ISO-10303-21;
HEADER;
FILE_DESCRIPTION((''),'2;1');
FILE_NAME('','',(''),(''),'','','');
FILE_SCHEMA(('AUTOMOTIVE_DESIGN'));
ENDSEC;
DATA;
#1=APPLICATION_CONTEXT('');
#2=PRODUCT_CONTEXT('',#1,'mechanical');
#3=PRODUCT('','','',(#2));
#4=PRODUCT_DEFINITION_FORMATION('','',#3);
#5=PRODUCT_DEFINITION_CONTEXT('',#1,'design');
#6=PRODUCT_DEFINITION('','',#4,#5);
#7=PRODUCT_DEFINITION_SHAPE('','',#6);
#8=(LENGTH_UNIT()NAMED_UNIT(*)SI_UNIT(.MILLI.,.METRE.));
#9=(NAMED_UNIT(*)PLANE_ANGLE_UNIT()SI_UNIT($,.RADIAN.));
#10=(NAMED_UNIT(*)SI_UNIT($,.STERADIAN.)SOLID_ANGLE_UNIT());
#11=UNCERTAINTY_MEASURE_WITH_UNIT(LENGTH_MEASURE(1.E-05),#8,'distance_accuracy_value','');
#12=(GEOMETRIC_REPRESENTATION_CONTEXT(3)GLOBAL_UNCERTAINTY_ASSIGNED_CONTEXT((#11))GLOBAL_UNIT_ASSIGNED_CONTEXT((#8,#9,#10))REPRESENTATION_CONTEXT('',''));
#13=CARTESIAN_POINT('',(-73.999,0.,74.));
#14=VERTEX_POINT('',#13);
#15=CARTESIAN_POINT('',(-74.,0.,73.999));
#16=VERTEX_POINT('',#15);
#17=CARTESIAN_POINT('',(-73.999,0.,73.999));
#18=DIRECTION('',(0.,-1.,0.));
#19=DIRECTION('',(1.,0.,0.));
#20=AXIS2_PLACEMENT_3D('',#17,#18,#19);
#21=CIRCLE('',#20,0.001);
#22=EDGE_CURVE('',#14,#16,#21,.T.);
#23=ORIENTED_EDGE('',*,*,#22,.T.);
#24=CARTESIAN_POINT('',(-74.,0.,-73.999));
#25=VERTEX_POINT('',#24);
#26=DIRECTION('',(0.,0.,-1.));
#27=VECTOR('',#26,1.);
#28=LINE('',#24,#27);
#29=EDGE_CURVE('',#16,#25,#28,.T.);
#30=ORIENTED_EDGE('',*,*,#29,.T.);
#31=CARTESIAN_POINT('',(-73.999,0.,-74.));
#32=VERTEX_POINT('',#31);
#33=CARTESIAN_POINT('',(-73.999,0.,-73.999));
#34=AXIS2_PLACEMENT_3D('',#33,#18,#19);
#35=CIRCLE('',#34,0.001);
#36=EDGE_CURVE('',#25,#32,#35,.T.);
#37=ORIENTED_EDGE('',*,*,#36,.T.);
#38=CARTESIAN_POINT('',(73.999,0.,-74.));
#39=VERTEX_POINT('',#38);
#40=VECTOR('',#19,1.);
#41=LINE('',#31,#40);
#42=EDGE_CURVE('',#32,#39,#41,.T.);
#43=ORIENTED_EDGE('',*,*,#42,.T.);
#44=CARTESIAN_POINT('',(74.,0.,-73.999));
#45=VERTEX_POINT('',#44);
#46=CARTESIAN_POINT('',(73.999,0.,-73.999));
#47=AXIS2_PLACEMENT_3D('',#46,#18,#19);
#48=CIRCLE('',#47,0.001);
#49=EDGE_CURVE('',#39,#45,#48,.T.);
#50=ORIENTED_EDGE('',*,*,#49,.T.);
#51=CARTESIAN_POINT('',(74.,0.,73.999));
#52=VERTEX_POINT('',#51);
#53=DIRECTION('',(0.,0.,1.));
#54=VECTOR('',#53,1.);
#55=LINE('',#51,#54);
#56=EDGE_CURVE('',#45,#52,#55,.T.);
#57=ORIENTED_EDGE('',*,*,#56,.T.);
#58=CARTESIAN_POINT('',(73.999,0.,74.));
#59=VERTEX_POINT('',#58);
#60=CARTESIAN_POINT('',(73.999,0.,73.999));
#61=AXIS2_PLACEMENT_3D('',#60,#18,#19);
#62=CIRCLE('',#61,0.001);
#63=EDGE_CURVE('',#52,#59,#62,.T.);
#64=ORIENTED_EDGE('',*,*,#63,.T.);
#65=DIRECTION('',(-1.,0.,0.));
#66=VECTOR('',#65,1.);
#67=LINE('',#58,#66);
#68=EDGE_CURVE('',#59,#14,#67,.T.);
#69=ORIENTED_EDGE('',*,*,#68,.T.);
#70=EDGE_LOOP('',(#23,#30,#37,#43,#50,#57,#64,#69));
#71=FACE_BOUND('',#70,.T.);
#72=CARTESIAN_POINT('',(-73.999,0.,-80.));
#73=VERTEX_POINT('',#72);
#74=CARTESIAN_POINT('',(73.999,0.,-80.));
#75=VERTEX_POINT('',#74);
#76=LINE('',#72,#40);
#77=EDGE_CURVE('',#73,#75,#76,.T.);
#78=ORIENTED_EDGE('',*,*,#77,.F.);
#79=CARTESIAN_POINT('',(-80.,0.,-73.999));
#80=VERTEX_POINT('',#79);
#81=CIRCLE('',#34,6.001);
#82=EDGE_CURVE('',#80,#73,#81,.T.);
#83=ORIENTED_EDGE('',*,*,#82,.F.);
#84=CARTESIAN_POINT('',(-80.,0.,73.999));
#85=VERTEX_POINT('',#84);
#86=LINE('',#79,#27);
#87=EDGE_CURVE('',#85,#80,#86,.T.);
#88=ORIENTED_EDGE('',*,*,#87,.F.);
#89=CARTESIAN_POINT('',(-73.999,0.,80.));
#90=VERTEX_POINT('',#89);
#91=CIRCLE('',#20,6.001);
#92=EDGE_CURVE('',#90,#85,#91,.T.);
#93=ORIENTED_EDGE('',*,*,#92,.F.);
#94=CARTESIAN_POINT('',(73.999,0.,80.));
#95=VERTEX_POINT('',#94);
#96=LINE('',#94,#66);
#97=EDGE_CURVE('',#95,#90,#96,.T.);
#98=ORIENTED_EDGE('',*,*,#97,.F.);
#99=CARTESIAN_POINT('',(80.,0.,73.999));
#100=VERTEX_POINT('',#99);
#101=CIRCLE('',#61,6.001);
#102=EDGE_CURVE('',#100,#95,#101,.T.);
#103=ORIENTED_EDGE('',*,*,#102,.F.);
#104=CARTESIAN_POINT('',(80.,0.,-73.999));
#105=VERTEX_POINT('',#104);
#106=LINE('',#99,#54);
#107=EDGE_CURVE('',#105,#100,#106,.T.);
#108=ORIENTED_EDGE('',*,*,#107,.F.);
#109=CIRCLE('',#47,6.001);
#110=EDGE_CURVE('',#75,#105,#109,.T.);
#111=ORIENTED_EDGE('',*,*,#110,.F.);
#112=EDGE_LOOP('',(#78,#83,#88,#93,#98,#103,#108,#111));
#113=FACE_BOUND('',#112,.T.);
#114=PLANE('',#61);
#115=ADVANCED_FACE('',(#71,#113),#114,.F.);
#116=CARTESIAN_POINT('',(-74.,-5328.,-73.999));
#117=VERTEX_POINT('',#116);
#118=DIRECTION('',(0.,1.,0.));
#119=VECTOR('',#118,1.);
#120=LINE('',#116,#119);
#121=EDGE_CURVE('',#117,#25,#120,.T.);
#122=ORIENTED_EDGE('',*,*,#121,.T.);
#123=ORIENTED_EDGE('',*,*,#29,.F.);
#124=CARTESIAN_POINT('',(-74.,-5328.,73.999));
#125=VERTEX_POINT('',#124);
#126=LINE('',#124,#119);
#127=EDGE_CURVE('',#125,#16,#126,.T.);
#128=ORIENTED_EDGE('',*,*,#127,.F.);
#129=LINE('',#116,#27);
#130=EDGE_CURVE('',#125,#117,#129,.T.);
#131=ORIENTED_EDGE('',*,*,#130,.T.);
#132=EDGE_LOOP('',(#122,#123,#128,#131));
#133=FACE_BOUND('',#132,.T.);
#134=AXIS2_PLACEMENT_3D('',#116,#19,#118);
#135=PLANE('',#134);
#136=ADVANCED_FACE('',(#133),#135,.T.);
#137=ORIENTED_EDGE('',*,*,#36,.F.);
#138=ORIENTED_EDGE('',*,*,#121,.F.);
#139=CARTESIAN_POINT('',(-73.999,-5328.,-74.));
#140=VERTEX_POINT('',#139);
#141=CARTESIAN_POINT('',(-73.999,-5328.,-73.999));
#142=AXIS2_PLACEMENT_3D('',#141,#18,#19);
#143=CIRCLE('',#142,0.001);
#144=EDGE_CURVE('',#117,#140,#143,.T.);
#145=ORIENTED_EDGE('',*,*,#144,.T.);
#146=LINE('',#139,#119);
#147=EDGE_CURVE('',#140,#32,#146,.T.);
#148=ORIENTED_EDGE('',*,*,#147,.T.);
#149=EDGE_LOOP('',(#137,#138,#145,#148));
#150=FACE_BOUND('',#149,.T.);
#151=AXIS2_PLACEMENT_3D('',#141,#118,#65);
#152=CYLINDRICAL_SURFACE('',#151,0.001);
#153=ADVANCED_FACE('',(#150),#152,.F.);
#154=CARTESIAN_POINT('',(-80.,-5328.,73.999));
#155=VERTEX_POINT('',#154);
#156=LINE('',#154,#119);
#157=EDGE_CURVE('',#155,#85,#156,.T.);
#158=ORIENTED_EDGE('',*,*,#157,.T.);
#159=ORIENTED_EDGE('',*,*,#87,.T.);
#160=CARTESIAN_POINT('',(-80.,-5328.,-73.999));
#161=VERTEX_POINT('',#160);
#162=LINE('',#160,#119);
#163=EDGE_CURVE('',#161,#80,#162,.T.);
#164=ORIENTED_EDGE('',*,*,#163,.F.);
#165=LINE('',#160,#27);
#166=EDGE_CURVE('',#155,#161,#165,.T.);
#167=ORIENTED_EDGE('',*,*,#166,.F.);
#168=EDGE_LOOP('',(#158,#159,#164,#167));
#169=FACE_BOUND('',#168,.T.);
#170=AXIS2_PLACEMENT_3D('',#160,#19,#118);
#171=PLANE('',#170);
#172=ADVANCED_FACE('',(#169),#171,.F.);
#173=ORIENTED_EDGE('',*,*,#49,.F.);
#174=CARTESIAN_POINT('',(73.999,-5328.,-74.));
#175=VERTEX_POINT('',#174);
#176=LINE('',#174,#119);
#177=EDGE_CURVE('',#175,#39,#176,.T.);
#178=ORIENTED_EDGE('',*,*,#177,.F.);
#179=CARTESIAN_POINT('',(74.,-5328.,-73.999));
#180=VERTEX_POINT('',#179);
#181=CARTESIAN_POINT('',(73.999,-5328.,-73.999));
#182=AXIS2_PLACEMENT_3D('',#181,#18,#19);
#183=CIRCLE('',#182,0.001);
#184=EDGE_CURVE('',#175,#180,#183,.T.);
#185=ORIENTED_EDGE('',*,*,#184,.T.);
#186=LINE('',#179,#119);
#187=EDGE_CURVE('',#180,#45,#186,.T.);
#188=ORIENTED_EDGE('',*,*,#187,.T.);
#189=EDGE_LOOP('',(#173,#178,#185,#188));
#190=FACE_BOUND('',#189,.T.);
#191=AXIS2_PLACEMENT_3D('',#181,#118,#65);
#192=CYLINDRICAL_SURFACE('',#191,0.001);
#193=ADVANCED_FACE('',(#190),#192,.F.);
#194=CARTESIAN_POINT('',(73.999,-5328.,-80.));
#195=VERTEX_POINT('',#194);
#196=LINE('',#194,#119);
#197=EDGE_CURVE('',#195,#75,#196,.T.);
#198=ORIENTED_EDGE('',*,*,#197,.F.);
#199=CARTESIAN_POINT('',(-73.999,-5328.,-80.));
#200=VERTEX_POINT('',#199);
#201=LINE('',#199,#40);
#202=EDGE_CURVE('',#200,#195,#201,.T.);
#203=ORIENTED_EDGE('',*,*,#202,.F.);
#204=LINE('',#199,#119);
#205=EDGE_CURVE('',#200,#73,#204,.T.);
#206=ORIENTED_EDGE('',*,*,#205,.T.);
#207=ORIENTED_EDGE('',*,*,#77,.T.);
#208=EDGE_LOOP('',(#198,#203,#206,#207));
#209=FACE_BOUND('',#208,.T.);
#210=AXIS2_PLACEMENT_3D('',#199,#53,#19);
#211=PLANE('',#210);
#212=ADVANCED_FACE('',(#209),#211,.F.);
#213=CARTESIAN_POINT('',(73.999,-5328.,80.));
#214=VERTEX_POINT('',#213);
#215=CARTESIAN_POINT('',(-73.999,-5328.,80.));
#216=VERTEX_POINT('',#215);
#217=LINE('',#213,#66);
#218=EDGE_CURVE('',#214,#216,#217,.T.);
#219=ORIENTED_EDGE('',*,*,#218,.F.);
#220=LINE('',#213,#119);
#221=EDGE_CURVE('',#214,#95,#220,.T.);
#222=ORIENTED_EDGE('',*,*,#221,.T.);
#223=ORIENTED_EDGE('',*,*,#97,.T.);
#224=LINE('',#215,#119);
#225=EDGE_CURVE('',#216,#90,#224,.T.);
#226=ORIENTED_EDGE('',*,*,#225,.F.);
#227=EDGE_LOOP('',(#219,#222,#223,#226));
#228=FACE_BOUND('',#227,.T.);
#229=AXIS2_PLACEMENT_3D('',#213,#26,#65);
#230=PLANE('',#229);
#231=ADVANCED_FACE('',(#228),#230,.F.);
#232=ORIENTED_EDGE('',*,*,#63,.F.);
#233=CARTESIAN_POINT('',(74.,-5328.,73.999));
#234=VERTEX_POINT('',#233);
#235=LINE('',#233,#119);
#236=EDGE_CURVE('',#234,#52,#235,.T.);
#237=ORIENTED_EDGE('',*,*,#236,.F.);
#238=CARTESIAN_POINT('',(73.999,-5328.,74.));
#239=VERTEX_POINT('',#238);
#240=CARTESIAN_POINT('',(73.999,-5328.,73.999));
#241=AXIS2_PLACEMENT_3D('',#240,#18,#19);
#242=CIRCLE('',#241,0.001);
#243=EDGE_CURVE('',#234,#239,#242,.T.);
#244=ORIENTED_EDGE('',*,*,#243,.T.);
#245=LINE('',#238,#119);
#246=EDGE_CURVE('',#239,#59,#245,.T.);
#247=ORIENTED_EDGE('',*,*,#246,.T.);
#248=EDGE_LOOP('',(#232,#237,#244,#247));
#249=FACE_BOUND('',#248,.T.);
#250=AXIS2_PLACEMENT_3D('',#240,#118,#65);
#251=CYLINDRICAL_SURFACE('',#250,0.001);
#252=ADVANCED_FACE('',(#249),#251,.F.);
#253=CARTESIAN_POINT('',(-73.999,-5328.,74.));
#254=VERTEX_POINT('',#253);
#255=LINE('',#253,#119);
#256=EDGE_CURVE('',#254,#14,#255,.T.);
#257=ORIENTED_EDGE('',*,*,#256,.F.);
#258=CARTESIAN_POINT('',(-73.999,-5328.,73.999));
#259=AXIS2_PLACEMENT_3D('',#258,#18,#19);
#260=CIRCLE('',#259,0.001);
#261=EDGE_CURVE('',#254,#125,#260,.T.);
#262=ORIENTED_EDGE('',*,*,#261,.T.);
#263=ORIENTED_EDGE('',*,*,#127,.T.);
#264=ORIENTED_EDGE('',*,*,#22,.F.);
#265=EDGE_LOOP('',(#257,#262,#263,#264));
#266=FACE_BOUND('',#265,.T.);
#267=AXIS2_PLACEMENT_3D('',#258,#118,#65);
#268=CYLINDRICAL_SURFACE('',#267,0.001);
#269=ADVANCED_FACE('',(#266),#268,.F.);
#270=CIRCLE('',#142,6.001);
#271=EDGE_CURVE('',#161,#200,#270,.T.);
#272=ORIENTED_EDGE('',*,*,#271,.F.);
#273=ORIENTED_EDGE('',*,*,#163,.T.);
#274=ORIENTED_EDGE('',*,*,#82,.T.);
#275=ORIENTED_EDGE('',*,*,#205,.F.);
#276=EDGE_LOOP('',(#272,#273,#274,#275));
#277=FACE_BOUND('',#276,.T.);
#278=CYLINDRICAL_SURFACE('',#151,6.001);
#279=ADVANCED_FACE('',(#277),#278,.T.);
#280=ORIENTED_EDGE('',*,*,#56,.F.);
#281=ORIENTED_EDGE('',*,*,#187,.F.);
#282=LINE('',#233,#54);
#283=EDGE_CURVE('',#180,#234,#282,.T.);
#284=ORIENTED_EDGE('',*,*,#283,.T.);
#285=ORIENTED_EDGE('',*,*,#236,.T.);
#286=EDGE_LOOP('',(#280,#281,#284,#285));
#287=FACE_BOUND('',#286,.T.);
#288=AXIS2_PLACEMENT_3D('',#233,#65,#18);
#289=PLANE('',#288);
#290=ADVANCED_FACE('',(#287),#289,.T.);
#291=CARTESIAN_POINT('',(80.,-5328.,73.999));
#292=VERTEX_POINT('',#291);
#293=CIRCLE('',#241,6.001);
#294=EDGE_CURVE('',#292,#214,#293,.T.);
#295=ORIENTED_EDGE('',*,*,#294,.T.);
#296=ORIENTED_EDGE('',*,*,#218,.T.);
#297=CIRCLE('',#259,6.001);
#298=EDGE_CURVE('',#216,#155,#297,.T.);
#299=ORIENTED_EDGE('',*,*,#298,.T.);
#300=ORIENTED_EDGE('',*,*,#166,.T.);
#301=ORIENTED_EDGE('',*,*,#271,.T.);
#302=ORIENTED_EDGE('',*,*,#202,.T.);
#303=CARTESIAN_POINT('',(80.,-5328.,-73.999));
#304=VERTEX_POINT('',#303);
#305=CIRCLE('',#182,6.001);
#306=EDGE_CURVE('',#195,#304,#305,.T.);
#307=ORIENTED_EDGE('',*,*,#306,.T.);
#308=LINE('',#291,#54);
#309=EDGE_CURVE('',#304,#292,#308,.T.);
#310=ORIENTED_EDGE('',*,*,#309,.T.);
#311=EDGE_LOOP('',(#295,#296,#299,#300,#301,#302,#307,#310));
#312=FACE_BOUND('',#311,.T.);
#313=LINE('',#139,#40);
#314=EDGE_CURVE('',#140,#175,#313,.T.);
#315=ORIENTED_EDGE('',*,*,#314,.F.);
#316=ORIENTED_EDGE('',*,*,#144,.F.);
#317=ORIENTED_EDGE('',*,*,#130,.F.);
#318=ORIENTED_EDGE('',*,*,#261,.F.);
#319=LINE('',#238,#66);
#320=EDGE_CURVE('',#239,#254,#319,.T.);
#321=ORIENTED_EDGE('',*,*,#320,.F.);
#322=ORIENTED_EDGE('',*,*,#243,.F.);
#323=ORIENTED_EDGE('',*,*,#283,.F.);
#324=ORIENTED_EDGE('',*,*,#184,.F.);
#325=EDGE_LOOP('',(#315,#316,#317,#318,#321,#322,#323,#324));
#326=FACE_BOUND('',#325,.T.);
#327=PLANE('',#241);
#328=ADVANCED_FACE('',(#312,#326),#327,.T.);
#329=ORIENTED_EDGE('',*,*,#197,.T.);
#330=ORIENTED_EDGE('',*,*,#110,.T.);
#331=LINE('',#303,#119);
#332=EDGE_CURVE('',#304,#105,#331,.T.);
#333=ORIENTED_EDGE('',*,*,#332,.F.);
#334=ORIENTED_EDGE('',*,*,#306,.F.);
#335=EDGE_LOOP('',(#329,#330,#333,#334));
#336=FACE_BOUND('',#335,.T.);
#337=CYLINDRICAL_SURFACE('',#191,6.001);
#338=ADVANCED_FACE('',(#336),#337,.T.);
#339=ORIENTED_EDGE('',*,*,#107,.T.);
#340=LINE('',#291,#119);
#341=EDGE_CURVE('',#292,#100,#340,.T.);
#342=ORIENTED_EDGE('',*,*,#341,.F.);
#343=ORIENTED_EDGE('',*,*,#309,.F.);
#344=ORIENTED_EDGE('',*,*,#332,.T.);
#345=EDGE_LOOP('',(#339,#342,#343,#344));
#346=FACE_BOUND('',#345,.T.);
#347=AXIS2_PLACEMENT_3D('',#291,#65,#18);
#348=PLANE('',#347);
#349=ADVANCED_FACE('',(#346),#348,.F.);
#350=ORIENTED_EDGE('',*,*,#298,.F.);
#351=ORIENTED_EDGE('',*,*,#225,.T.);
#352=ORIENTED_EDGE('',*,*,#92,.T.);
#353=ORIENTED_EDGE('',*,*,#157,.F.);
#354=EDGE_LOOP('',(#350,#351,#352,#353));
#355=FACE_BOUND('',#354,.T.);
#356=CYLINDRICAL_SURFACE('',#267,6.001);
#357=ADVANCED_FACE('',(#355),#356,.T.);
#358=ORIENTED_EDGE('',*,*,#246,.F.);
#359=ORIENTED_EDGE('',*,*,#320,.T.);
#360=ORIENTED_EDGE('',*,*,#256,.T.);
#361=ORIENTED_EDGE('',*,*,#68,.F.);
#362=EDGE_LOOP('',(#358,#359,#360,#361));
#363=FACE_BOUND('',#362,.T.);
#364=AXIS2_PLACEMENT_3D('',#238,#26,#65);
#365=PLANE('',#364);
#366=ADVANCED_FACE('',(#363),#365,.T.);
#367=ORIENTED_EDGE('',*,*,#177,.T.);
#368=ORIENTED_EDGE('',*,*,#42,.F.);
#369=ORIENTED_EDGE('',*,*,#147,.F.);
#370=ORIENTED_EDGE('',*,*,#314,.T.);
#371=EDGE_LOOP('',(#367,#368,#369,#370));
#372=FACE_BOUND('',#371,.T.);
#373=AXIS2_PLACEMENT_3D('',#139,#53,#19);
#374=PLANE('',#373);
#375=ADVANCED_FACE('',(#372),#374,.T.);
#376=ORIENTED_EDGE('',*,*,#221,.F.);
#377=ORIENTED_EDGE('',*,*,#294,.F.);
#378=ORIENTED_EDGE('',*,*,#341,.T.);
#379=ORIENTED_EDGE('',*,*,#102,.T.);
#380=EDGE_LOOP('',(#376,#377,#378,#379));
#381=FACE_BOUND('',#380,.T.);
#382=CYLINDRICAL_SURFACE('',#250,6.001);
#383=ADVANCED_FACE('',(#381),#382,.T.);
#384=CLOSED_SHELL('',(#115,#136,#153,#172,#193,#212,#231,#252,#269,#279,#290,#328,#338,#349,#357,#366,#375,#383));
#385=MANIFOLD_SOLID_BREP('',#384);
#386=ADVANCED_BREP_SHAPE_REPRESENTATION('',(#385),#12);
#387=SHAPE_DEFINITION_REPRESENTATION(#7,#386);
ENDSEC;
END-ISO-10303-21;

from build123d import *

# Parameters (mm, degrees)
F_8639_82_150_X_150_X_7_0_1_DEPTH = 5328


with BuildPart() as part:
    # Sketch1 → Квадратная труба гост 8639-82 150 X 150 X 7.0(1) (new body)
    with BuildSketch(Plane.XZ):
        with BuildLine():
            Line((-73.999, -80), (73.999, -80))
            ThreePointArc((73.999, -80), (78.242347794, -78.242347794), (80, -73.999))
            Line((80, -73.999), (80, 73.999))
            ThreePointArc((80, 73.999), (78.242347794, 78.242347794), (73.999, 80))
            Line((73.999, 80), (-73.999, 80))
            ThreePointArc((-73.999, 80), (-78.242347794, 78.242347794), (-80, 73.999))
            Line((-80, 73.999), (-80, -73.999))
            ThreePointArc((-80, -73.999), (-78.242347794, -78.242347794), (-73.999, -80))
        make_face()
        with BuildLine():
            Line((-73.999, -74), (73.999, -74))
            ThreePointArc((73.999, -74), (73.999707107, -73.999707107), (74, -73.999))
            Line((74, -73.999), (74, 73.999))
            ThreePointArc((74, 73.999), (73.999707107, 73.999707107), (73.999, 74))
            Line((73.999, 74), (-73.999, 74))
            ThreePointArc((-73.999, 74), (-73.999707107, 73.999707107), (-74, 73.999))
            Line((-74, 73.999), (-74, -73.999))
            ThreePointArc((-74, -73.999), (-73.999707107, -73.999707107), (-73.999, -74))
        make_face(mode=Mode.SUBTRACT)
    extrude(amount=F_8639_82_150_X_150_X_7_0_1_DEPTH)


solid = part.part
